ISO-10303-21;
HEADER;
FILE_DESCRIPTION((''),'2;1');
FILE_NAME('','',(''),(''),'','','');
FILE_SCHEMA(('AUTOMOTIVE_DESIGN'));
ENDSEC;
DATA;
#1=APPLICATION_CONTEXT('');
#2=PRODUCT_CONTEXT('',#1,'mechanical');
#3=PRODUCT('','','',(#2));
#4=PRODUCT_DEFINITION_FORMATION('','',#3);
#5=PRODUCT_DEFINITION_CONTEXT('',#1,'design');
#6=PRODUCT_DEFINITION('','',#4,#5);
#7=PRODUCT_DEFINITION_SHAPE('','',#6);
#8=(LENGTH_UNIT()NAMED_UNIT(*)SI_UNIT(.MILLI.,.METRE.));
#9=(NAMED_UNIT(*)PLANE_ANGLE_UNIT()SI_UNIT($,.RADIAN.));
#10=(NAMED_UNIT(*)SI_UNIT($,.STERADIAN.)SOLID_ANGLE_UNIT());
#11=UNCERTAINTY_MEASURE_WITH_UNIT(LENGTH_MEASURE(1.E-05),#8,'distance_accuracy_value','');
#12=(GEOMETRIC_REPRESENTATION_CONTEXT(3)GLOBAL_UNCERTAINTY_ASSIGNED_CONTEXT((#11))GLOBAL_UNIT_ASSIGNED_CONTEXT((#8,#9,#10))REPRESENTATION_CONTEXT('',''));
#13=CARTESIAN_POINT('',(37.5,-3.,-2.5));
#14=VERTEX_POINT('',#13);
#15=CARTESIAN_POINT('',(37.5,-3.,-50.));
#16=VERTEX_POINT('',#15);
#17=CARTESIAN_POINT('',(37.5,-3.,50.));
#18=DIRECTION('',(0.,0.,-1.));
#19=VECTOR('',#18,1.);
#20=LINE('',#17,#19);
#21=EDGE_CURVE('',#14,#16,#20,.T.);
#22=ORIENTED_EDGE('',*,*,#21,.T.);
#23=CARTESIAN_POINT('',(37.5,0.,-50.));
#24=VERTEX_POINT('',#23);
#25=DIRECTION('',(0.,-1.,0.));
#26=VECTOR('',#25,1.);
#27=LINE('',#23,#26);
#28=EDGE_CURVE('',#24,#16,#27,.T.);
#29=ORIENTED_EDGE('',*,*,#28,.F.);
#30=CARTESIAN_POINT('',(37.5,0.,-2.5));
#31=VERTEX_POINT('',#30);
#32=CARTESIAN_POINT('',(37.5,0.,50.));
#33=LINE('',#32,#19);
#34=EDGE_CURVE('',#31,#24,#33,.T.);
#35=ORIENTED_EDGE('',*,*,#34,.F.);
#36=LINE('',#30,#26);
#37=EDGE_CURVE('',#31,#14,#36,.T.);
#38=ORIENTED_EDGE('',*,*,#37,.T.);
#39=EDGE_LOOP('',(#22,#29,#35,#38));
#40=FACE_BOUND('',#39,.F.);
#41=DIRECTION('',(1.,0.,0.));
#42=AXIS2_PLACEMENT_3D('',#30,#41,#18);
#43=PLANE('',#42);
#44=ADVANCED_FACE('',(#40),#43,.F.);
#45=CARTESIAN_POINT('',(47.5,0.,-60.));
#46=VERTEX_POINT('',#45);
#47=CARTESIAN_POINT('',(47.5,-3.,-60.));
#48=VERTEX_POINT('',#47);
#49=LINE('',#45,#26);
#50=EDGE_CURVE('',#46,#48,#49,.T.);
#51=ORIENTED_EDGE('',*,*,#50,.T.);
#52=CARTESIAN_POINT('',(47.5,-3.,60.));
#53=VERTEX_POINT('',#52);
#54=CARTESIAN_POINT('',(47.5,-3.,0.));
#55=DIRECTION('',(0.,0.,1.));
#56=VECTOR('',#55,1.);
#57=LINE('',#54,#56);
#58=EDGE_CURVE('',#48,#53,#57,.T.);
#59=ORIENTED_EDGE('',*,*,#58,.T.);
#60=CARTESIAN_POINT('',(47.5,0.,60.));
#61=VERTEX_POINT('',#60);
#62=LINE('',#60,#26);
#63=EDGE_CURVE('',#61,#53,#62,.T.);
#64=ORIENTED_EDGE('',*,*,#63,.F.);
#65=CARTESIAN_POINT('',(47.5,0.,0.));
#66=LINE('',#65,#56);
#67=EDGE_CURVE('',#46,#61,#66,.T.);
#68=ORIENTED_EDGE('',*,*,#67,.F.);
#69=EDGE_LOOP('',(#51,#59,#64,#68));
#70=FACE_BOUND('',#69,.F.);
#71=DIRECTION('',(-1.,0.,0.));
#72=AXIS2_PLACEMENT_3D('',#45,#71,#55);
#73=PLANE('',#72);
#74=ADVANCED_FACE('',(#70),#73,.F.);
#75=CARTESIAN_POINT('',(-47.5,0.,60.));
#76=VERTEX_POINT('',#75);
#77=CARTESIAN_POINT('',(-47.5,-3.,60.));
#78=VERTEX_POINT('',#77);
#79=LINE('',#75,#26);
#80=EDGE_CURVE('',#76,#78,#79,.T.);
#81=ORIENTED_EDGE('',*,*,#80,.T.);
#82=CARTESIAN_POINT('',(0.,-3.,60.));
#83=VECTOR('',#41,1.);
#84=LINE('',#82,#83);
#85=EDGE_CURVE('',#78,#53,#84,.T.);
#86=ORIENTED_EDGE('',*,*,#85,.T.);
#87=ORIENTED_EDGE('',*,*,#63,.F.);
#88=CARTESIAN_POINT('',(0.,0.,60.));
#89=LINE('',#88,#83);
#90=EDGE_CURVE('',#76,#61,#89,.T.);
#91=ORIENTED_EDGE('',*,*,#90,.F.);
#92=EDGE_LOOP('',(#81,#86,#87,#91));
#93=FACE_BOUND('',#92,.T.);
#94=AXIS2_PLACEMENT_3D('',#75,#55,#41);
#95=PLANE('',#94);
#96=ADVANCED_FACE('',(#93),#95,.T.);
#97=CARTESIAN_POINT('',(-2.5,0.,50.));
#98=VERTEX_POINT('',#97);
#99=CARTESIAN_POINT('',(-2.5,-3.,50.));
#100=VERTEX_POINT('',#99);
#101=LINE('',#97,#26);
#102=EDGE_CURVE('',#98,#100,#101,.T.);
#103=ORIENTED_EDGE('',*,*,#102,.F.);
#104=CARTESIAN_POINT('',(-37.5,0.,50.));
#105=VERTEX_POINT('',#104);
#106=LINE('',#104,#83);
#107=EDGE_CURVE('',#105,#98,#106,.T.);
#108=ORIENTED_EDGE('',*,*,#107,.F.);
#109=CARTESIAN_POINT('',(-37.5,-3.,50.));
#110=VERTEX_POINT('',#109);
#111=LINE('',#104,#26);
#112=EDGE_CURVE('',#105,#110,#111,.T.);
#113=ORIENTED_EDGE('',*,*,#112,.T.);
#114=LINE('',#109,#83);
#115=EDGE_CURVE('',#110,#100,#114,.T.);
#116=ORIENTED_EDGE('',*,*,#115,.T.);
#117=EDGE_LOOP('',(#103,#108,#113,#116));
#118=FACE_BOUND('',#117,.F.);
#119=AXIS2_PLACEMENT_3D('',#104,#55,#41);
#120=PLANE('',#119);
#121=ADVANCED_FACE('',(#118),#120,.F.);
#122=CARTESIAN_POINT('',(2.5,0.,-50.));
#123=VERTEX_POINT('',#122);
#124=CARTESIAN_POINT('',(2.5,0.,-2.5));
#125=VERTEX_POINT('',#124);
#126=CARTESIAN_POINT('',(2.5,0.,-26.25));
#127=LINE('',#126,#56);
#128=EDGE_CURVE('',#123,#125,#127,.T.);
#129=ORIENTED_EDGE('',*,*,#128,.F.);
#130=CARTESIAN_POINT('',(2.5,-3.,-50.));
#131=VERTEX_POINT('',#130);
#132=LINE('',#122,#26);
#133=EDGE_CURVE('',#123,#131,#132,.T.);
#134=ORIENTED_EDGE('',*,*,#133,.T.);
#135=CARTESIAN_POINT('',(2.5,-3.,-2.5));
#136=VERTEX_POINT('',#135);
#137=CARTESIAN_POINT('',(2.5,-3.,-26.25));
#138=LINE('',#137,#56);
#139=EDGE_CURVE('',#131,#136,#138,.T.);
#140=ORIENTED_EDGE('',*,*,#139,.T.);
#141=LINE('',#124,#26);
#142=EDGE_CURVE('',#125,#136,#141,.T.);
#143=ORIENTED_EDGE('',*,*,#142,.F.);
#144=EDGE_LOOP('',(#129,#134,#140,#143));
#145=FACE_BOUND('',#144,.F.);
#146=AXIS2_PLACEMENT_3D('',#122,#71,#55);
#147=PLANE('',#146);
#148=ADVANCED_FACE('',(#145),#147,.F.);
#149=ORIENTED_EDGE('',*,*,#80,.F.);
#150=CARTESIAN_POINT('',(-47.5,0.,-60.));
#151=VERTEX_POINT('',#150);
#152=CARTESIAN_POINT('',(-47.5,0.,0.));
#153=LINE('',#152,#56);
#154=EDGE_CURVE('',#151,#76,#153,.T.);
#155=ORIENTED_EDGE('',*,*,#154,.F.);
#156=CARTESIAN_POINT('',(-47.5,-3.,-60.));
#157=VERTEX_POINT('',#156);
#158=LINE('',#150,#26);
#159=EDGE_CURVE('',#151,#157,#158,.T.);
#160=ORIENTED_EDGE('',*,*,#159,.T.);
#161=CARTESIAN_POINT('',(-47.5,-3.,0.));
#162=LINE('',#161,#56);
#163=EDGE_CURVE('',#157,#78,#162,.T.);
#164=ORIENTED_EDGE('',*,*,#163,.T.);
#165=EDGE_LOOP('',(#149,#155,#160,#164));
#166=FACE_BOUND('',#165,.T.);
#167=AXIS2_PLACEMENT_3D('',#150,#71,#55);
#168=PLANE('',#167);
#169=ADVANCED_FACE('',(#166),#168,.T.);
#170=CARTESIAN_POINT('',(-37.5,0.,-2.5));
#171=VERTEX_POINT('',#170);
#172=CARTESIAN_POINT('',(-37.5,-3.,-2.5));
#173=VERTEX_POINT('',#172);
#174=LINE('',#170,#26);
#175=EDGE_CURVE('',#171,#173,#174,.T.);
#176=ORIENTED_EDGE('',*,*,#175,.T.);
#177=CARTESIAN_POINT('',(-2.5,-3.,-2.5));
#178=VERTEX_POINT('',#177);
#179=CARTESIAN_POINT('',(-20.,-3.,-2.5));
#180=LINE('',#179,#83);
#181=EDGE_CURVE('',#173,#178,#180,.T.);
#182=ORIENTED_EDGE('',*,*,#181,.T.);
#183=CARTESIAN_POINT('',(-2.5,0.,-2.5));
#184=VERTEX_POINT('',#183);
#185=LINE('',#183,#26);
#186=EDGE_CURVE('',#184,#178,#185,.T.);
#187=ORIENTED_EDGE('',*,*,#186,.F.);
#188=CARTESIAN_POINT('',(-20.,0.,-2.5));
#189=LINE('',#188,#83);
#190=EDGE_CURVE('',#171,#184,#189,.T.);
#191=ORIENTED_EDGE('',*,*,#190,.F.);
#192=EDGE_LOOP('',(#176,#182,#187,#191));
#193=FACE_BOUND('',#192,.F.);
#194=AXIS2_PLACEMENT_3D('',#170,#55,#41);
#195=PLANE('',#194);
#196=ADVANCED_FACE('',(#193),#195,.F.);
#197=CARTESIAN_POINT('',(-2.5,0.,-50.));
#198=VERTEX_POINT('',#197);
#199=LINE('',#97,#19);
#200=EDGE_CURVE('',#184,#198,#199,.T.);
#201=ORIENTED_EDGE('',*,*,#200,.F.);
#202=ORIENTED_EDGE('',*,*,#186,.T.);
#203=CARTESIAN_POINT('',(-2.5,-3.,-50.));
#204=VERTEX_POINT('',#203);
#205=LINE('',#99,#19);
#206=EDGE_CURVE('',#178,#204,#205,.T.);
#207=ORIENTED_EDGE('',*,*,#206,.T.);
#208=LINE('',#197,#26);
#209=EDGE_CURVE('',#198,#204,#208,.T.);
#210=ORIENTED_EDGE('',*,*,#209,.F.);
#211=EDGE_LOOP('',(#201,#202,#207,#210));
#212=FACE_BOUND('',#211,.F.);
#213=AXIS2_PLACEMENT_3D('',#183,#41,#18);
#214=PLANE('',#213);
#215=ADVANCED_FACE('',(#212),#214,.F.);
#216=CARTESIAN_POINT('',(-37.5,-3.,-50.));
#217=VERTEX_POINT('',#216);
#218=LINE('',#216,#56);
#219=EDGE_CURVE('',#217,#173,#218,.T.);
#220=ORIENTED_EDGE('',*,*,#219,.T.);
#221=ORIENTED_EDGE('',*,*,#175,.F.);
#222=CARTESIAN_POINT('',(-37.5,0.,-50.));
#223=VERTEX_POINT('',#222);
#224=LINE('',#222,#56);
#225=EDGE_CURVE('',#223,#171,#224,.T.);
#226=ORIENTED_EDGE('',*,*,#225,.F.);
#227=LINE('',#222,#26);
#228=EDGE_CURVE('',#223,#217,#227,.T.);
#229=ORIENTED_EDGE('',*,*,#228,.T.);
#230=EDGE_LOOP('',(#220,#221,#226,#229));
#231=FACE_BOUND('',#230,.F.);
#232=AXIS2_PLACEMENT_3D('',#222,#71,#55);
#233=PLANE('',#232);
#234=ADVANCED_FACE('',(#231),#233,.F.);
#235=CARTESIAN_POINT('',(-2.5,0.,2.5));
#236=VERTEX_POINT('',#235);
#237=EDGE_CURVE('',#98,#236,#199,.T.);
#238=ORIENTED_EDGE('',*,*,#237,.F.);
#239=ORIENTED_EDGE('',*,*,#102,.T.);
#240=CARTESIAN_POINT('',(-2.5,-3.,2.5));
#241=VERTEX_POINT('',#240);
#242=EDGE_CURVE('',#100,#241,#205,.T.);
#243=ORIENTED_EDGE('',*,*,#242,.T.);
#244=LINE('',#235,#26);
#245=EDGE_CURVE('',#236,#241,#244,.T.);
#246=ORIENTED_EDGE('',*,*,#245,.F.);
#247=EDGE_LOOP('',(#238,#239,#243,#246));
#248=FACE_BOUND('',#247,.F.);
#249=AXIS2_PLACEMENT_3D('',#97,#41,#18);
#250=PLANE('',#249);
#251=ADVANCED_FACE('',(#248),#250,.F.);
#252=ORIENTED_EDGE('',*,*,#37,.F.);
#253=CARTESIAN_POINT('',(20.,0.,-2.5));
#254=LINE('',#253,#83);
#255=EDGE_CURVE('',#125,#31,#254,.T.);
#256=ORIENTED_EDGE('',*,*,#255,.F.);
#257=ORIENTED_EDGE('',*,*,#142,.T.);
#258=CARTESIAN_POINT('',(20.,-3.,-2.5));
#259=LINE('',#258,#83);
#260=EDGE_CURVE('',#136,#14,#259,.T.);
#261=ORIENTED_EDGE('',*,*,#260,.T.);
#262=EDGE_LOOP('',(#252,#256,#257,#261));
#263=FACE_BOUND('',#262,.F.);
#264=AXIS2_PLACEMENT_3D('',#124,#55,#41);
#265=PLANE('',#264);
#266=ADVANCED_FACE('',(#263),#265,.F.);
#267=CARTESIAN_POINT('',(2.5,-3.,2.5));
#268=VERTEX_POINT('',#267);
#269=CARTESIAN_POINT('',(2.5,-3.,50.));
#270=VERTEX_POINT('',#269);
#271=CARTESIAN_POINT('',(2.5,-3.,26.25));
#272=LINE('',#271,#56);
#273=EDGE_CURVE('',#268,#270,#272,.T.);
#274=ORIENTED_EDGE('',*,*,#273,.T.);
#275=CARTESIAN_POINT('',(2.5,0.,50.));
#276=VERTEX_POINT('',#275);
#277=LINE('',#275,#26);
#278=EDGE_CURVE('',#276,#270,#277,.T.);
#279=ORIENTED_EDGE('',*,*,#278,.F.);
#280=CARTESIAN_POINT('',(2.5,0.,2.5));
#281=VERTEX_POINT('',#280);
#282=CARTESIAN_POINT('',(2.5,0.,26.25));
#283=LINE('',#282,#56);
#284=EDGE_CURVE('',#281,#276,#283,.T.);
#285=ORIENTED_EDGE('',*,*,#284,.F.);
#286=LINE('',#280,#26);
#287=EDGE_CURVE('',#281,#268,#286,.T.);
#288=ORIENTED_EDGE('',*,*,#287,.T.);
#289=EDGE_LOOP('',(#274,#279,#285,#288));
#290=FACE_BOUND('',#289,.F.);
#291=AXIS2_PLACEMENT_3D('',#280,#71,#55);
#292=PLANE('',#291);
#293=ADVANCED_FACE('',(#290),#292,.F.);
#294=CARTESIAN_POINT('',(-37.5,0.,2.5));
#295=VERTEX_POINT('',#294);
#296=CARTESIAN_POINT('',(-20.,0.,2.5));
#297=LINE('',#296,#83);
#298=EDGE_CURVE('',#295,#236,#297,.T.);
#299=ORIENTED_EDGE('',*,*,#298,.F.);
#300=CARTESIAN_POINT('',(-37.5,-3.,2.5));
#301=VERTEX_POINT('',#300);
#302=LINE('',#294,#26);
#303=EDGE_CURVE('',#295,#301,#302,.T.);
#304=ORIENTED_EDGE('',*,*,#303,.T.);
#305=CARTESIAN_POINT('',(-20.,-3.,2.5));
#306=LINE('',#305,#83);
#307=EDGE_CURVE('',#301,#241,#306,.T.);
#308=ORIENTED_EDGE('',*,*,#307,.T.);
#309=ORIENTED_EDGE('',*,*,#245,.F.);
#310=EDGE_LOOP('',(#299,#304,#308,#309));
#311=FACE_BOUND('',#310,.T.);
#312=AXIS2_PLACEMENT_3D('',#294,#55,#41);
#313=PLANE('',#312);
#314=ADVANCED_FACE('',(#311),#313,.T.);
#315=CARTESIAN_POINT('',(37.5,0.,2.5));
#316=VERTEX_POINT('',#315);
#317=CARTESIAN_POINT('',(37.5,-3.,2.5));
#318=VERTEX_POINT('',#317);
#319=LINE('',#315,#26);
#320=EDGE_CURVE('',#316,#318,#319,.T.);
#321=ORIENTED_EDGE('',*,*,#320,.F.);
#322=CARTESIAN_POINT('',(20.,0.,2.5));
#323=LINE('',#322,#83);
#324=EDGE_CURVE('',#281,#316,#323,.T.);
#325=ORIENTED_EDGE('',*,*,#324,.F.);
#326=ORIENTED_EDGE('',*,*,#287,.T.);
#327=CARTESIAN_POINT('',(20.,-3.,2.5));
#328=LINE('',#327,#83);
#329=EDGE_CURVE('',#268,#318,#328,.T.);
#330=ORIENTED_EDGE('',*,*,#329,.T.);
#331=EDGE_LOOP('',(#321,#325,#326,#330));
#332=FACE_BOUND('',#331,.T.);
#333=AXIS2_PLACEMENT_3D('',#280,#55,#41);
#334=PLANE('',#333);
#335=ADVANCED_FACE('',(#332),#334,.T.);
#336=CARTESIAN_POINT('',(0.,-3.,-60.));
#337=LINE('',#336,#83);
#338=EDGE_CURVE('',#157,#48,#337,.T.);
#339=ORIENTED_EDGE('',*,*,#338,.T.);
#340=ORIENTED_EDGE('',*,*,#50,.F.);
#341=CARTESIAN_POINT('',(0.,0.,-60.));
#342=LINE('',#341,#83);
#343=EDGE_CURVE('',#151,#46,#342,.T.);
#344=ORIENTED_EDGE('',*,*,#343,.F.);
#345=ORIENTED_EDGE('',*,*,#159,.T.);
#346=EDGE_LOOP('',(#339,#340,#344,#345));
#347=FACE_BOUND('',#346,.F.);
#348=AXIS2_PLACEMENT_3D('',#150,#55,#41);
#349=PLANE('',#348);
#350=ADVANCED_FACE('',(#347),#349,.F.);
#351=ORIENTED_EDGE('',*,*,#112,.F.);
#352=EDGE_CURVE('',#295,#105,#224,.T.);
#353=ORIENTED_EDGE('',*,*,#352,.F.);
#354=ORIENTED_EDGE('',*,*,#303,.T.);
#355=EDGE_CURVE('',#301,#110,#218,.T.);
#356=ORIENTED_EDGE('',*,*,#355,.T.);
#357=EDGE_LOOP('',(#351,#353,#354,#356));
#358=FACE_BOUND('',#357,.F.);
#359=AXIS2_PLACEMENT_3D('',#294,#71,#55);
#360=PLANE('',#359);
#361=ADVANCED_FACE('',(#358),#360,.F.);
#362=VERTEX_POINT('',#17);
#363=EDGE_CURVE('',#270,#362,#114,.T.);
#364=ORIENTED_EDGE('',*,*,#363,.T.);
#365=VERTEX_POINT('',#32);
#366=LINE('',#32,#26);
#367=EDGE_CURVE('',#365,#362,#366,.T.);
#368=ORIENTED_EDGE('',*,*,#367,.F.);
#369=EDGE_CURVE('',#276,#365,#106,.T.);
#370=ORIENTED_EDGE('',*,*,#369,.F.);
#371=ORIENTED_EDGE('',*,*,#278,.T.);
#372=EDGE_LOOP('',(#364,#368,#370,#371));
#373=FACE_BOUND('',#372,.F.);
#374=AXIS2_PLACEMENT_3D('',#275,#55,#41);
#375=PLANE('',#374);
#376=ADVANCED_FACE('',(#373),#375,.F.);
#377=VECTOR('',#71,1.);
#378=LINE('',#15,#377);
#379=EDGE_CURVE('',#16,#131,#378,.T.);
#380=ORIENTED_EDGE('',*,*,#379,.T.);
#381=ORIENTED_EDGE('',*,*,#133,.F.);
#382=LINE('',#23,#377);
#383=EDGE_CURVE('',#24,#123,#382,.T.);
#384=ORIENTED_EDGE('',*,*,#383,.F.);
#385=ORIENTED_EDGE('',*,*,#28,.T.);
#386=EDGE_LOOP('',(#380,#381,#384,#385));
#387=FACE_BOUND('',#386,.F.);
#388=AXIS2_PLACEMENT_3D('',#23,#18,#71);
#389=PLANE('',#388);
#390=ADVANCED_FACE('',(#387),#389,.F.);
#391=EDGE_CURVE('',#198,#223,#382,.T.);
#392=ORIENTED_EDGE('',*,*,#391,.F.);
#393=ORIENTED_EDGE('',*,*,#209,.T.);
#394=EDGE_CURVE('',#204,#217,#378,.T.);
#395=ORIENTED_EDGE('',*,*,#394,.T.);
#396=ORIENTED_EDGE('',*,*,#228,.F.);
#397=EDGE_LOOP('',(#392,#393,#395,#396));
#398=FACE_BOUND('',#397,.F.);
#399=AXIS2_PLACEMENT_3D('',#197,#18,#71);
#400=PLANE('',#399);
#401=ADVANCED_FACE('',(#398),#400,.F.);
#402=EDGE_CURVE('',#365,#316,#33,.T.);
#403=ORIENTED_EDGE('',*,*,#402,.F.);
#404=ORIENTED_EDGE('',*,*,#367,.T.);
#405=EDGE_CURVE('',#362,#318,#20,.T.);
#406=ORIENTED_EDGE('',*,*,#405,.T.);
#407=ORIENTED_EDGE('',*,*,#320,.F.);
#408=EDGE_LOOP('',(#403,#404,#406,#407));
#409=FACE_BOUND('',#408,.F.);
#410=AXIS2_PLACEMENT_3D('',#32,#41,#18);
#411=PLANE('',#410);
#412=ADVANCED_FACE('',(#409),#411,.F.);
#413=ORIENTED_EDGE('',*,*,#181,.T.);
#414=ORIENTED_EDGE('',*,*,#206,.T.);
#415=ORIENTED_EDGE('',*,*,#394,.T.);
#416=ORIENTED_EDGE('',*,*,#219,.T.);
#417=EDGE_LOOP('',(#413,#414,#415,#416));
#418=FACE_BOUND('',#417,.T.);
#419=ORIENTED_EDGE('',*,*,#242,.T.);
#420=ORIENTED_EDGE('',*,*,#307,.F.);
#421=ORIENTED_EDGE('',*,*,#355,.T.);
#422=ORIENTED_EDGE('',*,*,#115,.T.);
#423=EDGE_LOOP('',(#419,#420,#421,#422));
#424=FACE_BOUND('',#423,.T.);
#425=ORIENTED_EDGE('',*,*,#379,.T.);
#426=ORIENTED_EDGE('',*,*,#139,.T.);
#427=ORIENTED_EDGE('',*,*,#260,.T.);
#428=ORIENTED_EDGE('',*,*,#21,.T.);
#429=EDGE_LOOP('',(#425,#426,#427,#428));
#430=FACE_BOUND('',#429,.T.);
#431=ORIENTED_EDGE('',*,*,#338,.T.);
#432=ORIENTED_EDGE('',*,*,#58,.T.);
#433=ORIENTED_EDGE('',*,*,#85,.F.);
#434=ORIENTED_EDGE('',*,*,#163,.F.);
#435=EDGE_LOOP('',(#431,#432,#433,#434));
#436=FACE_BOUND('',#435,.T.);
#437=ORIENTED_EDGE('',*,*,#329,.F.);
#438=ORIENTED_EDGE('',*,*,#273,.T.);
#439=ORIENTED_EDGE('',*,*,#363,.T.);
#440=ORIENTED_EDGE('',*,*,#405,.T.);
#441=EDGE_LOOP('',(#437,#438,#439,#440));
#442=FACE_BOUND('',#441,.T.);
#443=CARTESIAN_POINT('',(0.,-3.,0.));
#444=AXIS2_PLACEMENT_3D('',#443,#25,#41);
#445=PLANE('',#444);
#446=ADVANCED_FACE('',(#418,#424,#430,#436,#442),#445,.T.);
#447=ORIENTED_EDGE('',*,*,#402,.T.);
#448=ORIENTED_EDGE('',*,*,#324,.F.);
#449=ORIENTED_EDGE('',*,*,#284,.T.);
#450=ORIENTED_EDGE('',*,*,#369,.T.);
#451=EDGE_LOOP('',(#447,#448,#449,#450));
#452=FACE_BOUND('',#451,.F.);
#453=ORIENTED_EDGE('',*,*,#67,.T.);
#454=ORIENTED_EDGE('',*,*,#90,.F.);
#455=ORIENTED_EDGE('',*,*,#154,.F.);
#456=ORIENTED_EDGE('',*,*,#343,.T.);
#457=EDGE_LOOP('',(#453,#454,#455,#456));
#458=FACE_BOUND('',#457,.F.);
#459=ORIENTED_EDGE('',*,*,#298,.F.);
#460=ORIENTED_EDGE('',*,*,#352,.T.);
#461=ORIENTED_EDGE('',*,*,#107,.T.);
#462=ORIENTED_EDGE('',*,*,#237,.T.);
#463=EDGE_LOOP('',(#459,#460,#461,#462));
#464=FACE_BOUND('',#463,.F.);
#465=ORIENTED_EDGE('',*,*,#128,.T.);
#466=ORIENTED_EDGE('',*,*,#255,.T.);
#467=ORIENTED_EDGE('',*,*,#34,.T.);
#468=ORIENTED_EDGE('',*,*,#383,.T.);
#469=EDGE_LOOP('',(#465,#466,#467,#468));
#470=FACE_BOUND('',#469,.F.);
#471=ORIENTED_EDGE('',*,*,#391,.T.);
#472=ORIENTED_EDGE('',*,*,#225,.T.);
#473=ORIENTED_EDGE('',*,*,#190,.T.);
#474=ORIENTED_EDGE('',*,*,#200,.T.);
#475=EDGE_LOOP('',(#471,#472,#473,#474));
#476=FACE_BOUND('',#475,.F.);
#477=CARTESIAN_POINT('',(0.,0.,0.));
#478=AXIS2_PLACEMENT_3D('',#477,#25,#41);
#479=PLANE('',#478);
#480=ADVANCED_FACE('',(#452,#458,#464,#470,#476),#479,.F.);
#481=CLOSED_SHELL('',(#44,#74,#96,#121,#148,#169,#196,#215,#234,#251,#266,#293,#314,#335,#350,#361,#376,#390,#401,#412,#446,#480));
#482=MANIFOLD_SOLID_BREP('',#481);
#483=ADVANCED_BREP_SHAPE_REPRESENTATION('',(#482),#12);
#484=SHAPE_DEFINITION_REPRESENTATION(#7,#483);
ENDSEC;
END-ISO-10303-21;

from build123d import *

# Parameters (mm, degrees)
F0_W     = 95
F0_H     = 120
F0_W_2   = 5
F0_H_2   = 47.5
F0_W_3   = 35
F0_H_3   = 5
F1_DEPTH = 3


with BuildPart() as f1:
    # F0 (on Front) → F1 (new body)
    with BuildSketch(Plane.XZ):
        Rectangle(F0_W, F0_H)
        Polygon((37.5, -2.5), (37.5, -50), (2.5, -50), (-2.5, -50), (-37.5, -50), (-37.5, -2.5), (-37.5, 2.5), (-37.5, 50), (-2.5, 50), (2.5, 50), (37.5, 50), (37.5, 2.5), align=None, mode=Mode.SUBTRACT)
        with Locations((0, 26.25)):
            Rectangle(F0_W_2, F0_H_2)
        with Locations((0, -26.25)):
            Rectangle(F0_W_2, F0_H_2)
        with Locations((20, 0)):
            Rectangle(F0_W_3, F0_H_3)
        Rectangle(F0_W_2, F0_H_3)
        with Locations((-20, 0)):
            Rectangle(F0_W_3, F0_H_3)
    extrude(amount=F1_DEPTH)


solid = f1.part
